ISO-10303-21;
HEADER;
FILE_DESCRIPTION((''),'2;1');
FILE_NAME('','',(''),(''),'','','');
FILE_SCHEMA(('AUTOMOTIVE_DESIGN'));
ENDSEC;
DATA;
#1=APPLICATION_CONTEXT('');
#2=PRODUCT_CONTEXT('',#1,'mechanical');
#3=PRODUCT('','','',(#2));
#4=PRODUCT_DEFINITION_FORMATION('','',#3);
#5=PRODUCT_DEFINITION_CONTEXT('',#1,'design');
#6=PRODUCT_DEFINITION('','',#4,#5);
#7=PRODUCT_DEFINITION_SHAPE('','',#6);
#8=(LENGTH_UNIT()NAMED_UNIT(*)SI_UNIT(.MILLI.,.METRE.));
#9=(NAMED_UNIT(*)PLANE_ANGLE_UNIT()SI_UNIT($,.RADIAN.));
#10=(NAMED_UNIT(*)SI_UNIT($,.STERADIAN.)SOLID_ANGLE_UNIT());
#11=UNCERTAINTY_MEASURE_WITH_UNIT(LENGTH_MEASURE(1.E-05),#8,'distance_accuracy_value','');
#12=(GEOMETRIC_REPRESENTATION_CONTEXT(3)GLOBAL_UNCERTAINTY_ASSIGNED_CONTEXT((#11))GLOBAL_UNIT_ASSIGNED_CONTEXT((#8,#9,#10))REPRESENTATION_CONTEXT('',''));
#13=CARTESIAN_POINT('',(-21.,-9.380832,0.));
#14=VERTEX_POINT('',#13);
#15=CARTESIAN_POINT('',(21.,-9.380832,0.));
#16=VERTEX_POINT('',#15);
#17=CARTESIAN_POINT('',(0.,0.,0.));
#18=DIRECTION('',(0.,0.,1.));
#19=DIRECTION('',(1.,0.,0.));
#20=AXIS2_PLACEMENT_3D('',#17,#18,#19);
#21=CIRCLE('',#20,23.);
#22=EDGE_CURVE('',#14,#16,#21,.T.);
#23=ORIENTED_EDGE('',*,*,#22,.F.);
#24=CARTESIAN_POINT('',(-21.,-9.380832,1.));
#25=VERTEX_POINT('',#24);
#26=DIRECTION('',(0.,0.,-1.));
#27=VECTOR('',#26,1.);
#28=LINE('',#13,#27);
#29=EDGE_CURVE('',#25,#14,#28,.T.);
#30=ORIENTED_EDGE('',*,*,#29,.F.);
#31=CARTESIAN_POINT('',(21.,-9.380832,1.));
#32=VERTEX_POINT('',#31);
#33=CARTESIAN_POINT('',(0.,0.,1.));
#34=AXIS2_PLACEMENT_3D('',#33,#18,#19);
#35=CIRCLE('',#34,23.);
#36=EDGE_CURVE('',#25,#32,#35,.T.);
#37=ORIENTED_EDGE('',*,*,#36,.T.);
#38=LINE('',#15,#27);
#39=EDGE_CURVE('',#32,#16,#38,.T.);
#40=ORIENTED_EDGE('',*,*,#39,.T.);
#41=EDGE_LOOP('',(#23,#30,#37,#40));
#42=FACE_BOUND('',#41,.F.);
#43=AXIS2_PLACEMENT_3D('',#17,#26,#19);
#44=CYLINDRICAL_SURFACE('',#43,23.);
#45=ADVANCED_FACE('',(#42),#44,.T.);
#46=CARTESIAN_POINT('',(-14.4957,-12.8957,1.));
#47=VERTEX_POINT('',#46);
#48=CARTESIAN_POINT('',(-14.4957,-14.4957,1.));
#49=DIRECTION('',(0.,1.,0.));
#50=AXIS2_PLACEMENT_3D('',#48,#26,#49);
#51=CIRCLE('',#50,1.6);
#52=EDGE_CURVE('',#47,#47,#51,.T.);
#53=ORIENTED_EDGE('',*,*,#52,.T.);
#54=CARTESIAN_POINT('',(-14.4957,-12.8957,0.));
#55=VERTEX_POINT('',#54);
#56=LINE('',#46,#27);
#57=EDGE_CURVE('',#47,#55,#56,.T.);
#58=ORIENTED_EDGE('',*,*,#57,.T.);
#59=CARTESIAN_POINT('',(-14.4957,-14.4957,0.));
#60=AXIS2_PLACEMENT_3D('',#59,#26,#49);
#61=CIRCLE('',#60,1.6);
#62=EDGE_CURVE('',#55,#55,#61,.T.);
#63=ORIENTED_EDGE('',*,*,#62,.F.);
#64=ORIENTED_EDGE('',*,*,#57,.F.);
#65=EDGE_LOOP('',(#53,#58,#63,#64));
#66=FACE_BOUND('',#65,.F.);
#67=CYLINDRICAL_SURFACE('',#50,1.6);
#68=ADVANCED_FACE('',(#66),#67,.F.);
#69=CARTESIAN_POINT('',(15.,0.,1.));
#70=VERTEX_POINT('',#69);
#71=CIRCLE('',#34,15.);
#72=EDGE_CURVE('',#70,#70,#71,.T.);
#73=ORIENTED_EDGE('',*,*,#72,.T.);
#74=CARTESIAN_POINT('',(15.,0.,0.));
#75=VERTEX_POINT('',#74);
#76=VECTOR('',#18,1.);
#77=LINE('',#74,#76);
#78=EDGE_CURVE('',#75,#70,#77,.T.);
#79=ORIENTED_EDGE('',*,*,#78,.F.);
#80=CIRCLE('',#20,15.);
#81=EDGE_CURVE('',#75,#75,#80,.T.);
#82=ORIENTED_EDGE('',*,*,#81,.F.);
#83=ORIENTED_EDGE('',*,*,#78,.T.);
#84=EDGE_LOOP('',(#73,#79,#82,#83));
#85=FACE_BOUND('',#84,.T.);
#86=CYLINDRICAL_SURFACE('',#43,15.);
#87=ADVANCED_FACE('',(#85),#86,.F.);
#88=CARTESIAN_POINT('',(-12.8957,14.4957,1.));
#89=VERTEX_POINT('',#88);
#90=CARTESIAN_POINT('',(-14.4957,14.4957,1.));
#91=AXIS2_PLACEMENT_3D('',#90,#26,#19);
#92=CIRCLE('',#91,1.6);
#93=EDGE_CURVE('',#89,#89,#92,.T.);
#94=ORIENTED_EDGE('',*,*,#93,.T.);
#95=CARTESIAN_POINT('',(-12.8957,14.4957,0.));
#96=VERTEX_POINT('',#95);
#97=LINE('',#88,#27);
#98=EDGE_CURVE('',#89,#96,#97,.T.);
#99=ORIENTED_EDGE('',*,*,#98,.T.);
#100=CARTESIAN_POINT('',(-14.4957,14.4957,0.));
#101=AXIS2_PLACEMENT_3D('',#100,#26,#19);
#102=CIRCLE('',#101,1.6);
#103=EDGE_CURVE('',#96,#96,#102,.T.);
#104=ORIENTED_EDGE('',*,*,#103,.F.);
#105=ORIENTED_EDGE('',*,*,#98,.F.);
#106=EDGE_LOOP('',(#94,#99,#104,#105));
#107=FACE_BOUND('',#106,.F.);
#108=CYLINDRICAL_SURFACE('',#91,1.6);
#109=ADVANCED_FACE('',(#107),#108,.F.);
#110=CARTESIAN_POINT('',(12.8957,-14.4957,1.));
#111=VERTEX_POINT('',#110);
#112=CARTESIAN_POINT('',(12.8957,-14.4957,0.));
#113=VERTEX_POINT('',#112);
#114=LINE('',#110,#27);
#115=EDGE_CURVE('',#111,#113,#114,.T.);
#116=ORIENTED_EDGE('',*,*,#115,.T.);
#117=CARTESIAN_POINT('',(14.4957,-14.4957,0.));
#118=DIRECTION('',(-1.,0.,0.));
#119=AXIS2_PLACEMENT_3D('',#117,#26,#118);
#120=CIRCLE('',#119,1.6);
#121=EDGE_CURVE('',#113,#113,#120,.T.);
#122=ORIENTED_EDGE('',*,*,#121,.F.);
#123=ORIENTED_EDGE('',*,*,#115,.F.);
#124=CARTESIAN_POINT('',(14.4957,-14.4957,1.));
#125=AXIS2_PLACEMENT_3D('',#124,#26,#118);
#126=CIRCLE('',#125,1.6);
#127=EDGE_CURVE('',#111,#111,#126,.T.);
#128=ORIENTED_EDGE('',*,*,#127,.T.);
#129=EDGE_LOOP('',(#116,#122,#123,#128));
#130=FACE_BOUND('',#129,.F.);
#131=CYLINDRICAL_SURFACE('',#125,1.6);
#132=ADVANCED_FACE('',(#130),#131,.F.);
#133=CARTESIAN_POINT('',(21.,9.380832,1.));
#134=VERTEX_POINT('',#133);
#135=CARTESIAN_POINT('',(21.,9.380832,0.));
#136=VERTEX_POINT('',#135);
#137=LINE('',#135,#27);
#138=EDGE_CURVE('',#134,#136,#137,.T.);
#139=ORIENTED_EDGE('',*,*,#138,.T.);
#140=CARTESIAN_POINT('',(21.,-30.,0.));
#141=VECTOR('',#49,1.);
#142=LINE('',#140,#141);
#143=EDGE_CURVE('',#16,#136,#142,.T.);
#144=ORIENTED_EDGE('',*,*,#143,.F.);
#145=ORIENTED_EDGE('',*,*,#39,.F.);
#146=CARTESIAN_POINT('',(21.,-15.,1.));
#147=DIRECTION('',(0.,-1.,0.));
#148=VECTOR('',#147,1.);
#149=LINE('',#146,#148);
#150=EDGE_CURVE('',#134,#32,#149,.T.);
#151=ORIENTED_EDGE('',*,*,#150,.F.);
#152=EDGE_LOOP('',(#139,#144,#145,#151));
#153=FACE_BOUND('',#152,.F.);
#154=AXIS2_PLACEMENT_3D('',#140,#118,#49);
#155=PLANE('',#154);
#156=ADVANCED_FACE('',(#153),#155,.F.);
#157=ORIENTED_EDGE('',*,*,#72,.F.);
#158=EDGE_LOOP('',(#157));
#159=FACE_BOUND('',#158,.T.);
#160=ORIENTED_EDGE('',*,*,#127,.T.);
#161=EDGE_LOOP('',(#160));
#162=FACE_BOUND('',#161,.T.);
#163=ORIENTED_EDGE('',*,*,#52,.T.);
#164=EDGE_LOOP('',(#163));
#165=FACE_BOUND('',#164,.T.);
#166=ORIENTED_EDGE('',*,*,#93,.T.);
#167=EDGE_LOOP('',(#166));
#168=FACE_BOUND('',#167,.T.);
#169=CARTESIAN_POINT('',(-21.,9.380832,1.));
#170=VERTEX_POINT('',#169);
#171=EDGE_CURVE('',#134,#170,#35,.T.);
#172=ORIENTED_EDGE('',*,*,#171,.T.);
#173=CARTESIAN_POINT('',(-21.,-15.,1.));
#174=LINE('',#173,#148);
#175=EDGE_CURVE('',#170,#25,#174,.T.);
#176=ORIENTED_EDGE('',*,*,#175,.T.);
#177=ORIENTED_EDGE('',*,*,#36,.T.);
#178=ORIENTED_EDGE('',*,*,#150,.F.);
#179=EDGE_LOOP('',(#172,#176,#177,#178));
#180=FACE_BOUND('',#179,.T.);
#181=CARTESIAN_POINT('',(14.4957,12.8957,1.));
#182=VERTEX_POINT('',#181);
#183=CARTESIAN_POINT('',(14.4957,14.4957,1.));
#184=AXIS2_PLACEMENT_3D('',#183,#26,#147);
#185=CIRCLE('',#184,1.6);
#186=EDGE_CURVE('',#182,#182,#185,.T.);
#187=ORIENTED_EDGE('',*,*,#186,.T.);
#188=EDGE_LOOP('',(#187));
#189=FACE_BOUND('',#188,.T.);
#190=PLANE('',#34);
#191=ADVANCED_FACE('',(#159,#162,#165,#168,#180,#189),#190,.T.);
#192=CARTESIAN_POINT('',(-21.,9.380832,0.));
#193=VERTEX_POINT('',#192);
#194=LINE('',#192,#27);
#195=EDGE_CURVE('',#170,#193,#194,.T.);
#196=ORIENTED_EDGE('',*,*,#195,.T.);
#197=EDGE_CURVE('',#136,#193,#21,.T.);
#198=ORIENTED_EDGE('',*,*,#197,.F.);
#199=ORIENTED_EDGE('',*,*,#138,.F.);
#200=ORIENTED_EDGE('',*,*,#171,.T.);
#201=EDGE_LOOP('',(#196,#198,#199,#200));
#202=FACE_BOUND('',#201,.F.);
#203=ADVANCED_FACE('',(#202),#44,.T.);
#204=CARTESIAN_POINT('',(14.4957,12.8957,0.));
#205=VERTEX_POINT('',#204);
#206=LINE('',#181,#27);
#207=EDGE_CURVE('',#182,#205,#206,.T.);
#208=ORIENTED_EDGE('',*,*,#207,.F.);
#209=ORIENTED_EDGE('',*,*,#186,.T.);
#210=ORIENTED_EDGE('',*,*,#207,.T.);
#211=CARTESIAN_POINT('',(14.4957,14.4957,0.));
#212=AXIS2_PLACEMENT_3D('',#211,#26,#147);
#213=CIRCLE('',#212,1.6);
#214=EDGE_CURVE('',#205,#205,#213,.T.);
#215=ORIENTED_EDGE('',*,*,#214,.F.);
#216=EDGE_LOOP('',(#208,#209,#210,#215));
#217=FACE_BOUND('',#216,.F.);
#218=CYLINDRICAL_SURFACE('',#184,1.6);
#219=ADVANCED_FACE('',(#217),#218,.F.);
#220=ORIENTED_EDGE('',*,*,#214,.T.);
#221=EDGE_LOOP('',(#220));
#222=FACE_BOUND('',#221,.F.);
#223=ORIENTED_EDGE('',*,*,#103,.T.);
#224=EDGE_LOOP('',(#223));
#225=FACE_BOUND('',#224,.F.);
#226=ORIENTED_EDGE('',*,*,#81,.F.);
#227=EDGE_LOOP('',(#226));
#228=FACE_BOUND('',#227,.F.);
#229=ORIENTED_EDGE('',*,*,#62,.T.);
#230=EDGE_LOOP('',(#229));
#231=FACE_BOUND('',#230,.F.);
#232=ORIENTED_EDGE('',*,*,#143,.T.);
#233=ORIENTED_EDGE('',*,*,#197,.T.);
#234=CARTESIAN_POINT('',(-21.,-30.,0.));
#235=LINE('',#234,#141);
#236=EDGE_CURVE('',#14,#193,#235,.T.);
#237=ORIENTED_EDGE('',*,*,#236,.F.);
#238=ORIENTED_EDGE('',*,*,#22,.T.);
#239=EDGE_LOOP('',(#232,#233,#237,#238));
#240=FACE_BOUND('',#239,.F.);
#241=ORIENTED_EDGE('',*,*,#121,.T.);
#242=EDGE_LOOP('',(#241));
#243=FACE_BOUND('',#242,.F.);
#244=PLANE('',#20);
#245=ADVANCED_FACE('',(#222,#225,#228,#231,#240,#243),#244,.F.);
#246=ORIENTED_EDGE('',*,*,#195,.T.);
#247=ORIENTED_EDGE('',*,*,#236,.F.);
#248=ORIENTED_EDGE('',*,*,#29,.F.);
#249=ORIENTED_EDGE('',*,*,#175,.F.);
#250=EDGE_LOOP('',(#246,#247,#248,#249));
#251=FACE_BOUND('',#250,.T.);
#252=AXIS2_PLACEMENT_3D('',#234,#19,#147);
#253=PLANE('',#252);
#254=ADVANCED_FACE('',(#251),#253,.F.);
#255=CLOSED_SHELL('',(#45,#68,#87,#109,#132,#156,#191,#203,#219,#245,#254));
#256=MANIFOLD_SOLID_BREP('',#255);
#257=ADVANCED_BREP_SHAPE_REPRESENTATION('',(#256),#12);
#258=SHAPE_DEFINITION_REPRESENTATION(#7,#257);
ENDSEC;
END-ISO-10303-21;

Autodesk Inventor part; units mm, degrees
ref_plane "YZ Plane" through (0, 0, 0) normal (1, 0, 0) x (0, 1, 0)
ref_plane "XZ Plane" through (0, 0, 0) normal (0, 1, 0) x (-1, 0, 0)
ref_plane "XY Plane" through (0, 0, 0) normal (0, 0, 1) x (1, 0, 0)
sketch "Sketch1" plane through (0, 0, 0) normal (0, 0, 1) x (1, 0, 0)
  circle A0 centre (0, 0) radius 15
  circle A1 centre (0, 0) radius 23
  dimension "d0" = 30
  dimension "d1" = 46
extrude "Extrusion1" add sketch "Sketch1" along normal blind 1
sketch "Sketch2" plane through (0, 0, 1) normal (0, 0, 1) x (1, 0, 0)
  line L0 (0, 0) -> (23, 0) construction
  circle A0 centre (0, 0) radius 23 projected
  circle A1 centre (0, 0) radius 20.5 construction
  line L1 (0, 0) -> (14.4957, 14.4957) construction
  dimension "d35" = 41
  dimension "d34" = 45
hole "For-m3-screws" at (14.4957, 14.4957, 1) direction (0, 0, -1) diameter 3.2 end through all
pattern_circular "Circular Pattern1" count 4 over 360 about axis through (0, 0, 0) along (0, 0, 1) of "For-m3-screws"
sketch "Sketch4" plane through (0, 0, 0) normal (0, 0, 1) x (1, 0, 0)
  line L0 (21, 30) -> (26, 30)
  line L1 (26, 30) -> (26, -30)
  line L2 (26, -30) -> (21, -30)
  line L3 (21, -30) -> (21, 30)
  point P0 (0, 0)
  point P1 (26, 0)
  dimension "d19" = 21
  dimension "d20" = 60
  dimension "d21" = 5
extrude "Extrusion3" cut sketch "Sketch4" along normal blind 10
mirror "Mirror1" about plane through (0, 0, 0) normal (1, 0, 0) of "Extrusion3"
equation "\"d0\" = innerdiameter"
equation "\"d1\" = outerdiameter"
equation "\"d35\" = holepositiondiameter"
equation "\"d19\" = trimspan"
equation "\"outerdiameter\" = 46"
equation "\"innerdiameter\" = 30"
equation "\"holepositiondiameter\" = 41"
equation "\"trimspan\" = 21"
properties part number "boron window" material "Stainless Steel"
